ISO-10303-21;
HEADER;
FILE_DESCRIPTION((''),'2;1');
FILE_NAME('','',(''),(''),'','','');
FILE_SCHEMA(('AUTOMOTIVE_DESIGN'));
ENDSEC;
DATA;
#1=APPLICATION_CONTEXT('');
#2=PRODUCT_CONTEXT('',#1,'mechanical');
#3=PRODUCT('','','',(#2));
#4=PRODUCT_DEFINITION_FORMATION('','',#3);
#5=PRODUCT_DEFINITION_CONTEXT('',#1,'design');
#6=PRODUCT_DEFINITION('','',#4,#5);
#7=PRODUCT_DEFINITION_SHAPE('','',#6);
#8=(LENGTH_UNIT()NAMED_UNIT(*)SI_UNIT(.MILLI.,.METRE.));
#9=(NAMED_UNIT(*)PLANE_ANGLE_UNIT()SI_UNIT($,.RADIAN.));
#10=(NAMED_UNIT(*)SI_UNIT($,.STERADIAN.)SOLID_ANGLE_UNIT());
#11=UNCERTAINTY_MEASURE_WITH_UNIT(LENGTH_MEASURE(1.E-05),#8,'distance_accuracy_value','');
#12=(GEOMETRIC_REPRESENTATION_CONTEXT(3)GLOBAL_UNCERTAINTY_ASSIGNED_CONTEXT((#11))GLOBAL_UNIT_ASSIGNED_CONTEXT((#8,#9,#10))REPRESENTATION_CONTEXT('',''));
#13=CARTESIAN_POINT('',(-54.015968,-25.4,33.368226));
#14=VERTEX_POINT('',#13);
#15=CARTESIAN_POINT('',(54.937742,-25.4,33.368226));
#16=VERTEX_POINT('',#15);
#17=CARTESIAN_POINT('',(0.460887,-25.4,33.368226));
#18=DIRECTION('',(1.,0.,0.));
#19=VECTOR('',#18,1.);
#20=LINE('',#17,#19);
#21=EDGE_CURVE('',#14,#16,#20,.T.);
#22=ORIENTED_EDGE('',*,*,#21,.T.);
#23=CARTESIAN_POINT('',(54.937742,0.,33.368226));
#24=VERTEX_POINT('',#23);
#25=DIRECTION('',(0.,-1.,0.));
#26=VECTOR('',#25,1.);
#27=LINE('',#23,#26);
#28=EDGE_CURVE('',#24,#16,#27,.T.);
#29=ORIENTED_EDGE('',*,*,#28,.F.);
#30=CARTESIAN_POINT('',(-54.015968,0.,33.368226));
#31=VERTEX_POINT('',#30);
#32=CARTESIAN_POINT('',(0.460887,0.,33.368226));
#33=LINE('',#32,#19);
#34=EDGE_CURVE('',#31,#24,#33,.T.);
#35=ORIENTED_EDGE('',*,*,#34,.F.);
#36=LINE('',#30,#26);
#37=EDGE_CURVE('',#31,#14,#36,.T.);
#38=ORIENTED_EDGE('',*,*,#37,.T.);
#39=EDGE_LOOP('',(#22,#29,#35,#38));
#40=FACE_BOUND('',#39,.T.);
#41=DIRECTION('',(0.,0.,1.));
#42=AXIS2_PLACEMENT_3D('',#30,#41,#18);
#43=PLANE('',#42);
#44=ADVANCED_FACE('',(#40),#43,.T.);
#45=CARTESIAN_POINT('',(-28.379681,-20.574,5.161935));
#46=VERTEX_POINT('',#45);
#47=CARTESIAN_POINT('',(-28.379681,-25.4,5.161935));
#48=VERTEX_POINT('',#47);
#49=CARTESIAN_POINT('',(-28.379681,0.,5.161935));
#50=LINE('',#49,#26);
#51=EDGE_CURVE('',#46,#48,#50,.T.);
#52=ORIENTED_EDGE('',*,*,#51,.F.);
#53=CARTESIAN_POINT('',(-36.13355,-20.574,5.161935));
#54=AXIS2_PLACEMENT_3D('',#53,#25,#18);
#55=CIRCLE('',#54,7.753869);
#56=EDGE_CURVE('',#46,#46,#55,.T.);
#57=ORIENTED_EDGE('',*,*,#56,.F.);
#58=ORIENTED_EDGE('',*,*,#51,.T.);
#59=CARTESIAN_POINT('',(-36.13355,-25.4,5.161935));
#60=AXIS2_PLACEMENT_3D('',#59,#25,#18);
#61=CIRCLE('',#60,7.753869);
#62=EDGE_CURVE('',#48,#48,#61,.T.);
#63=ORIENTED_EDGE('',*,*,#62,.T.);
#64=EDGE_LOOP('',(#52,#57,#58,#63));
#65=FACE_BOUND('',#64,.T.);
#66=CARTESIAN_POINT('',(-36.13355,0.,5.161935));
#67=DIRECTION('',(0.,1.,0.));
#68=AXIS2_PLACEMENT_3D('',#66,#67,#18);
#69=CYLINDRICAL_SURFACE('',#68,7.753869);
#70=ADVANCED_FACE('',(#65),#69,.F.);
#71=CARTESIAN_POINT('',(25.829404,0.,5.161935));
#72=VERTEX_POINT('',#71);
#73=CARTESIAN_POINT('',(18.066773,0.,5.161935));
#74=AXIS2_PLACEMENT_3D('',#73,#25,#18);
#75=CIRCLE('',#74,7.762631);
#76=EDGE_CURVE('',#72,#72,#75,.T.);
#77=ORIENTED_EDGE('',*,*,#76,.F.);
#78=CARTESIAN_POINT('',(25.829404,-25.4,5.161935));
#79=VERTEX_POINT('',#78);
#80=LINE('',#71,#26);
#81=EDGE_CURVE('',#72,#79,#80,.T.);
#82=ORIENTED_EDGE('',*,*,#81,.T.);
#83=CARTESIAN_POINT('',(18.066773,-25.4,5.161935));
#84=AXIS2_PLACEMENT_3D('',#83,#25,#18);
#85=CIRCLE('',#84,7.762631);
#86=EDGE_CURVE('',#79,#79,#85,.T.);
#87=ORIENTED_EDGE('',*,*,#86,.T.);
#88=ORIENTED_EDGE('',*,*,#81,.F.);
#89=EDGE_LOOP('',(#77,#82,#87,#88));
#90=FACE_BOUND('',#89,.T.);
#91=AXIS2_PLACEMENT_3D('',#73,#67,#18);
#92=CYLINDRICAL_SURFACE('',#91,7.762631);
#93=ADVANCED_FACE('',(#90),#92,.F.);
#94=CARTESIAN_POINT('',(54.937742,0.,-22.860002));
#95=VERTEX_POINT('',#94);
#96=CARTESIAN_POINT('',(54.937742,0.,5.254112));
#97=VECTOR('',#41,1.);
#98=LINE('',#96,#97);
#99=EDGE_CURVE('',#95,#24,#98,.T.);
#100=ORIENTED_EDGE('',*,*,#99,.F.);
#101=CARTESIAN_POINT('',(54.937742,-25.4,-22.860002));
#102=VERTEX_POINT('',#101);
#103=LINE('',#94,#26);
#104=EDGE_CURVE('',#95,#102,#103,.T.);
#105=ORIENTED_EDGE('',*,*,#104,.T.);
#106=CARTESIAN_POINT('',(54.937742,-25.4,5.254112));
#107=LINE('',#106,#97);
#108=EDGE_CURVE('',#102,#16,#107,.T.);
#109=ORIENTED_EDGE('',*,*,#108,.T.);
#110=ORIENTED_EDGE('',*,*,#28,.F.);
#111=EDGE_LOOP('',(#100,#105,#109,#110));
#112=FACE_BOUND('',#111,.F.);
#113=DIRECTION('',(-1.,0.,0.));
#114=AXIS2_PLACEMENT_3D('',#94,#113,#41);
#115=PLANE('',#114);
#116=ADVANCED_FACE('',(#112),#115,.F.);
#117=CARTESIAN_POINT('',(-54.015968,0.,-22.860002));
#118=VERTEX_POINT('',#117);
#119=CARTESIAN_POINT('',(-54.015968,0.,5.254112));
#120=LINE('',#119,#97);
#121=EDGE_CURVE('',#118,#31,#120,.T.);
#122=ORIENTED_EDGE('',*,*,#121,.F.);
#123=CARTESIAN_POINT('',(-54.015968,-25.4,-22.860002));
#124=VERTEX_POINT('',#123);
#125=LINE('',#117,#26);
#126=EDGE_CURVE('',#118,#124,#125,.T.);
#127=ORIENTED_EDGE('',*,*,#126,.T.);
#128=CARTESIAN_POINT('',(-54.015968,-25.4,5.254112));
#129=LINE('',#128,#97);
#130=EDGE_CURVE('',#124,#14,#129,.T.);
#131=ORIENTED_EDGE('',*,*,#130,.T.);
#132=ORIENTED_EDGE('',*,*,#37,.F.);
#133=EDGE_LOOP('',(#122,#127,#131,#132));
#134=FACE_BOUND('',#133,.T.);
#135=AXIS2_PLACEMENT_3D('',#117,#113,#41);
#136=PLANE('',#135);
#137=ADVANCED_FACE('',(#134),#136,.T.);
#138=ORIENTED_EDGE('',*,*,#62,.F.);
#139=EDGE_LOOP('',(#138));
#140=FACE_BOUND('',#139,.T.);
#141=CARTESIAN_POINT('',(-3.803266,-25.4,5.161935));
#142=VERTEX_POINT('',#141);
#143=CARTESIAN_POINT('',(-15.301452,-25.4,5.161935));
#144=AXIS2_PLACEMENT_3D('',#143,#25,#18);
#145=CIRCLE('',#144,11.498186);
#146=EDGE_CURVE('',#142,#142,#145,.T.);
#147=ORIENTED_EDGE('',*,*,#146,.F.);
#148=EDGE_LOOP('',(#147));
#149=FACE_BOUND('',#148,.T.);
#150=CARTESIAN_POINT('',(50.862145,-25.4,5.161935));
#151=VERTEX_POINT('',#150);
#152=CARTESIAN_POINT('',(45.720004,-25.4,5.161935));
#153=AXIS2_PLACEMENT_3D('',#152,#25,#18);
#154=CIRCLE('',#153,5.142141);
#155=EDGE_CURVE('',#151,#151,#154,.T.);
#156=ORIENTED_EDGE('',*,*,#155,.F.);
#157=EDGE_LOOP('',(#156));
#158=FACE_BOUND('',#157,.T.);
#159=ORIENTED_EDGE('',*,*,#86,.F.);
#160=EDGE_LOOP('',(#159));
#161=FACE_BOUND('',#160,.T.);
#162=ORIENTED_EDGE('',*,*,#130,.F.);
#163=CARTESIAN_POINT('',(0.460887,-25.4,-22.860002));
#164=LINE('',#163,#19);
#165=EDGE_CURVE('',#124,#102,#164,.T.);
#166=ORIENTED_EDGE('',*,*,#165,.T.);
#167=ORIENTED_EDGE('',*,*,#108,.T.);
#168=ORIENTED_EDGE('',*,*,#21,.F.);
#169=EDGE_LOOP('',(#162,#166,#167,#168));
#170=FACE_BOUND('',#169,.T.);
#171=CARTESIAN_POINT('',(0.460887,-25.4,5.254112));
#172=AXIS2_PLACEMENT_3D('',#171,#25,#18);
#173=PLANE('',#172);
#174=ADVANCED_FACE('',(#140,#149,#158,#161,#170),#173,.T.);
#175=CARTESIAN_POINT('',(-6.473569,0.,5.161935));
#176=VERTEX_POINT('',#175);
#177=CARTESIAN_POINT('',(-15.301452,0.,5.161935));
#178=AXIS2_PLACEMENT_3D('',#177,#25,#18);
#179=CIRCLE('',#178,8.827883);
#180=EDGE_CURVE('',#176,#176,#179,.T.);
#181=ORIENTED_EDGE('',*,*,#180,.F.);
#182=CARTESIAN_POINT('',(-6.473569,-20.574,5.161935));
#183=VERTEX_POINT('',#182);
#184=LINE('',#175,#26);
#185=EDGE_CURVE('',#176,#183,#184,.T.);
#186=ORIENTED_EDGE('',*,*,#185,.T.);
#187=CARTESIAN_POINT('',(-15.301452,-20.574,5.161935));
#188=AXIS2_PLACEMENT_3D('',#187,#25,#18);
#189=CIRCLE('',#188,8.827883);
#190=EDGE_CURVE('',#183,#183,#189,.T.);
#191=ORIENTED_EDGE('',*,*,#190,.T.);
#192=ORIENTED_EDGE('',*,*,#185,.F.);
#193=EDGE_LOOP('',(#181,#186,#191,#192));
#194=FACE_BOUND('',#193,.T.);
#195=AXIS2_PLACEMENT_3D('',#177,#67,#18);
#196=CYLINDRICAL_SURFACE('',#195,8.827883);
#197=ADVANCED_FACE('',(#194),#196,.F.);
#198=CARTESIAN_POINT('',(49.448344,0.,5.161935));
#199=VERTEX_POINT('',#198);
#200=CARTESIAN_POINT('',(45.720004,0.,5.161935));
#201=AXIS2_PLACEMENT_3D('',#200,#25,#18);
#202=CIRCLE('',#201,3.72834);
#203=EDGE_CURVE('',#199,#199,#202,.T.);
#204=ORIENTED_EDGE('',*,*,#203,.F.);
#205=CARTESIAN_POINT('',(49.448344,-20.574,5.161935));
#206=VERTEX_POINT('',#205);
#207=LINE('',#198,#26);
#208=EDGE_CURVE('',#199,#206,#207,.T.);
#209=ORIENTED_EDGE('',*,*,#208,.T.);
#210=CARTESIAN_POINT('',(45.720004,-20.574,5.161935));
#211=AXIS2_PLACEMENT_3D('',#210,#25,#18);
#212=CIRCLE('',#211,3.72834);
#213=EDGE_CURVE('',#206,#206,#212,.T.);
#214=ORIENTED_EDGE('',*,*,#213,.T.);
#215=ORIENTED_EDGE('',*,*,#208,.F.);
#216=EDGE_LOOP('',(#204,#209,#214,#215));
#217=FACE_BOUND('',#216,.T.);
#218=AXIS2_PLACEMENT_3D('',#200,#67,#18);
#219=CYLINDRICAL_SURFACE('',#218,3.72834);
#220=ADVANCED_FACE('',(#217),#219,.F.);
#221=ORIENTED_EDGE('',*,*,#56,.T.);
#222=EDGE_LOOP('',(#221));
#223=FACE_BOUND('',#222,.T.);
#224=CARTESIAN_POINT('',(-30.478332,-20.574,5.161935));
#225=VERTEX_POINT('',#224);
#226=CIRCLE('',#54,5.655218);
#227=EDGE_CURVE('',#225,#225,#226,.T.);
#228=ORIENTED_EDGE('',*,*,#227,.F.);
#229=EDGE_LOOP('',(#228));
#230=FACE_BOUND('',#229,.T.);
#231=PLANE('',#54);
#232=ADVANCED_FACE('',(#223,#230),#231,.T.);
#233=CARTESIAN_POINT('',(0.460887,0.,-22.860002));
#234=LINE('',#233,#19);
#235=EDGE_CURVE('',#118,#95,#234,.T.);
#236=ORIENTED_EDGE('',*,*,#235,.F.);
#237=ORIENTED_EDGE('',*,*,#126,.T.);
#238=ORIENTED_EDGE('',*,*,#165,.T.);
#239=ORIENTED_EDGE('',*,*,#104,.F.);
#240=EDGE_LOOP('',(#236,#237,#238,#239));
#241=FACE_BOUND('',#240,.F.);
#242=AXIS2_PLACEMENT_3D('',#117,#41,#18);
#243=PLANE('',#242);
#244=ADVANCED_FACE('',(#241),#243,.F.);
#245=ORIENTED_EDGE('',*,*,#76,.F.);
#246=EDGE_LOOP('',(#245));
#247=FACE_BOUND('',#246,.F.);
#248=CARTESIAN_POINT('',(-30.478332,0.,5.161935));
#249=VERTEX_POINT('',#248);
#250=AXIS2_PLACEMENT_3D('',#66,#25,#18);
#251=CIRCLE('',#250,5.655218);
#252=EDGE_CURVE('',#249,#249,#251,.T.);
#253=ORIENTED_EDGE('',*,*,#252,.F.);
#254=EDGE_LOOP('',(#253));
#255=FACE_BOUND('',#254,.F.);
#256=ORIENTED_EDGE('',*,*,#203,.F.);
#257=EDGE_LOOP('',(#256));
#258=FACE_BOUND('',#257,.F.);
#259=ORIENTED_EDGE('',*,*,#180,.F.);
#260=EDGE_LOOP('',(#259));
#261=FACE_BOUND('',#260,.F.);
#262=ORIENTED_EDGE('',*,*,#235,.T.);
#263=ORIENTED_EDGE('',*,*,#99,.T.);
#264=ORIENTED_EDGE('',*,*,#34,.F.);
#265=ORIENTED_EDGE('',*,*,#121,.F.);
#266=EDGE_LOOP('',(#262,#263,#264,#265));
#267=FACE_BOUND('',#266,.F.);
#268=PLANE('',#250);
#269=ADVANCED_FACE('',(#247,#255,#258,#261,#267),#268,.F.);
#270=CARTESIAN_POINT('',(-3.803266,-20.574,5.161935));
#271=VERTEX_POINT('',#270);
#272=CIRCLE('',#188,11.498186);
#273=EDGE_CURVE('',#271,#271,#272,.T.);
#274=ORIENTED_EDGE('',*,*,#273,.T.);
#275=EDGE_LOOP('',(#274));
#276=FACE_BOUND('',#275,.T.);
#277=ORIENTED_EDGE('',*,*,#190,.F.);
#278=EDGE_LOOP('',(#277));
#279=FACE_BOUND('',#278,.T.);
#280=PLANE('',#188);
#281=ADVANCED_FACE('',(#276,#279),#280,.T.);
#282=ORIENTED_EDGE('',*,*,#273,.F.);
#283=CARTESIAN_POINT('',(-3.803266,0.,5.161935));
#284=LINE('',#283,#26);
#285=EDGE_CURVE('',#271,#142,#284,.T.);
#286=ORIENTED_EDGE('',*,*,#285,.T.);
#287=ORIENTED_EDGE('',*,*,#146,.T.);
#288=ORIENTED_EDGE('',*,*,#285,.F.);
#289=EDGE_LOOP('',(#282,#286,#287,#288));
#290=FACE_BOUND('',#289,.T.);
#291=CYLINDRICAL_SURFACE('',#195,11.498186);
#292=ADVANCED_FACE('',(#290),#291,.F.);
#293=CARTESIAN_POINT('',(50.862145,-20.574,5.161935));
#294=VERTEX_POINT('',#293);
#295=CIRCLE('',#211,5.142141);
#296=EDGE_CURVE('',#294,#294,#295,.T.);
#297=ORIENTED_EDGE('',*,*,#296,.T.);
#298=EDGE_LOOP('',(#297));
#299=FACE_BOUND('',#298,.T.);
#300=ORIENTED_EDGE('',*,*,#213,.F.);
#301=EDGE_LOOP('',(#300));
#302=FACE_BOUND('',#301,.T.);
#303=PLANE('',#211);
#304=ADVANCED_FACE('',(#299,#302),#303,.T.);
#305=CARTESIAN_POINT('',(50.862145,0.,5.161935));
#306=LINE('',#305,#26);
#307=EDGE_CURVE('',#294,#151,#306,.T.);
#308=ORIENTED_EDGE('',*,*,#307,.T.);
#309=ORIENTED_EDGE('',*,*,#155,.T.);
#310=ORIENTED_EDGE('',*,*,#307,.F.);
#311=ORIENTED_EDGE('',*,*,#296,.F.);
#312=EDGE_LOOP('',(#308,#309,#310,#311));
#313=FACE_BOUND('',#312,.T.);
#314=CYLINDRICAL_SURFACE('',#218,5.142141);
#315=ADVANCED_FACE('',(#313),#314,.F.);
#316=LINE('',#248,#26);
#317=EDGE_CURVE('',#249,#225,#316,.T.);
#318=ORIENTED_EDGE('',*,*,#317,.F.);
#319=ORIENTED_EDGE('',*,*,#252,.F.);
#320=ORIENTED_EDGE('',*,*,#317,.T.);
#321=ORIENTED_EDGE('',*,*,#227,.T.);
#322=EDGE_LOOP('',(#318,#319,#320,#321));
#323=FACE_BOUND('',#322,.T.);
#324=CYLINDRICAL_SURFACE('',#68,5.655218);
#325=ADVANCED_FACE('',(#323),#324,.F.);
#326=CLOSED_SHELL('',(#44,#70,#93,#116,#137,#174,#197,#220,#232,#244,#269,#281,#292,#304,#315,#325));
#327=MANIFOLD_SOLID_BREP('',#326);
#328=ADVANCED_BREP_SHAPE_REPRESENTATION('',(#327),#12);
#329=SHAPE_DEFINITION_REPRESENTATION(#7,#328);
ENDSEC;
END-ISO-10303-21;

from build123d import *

# Parameters (mm, degrees)
F0_W     = 108.953711
F0_H     = 56.228228
F0_R     = 7.753869
F0_R_2   = 11.498186
F0_R_3   = 7.762631
F0_R_4   = 5.142141
F1_DEPTH = 25.4
F0_R_5   = 5.655218
F0_R_6   = 3.72834
F0_R_7   = 8.827883
F2_DEPTH = 20.574


with BuildPart() as f1:
    # F0 (on Front) → F1 (new body)
    with BuildSketch(Plane.XZ):
        with Locations((0.460887, 5.254112)):
            Rectangle(F0_W, F0_H)
        with Locations((-36.13355, 5.161935)):
            Circle(F0_R, mode=Mode.SUBTRACT)
        with Locations((-15.301452, 5.161935)):
            Circle(F0_R_2, mode=Mode.SUBTRACT)
        with Locations((18.066773, 5.161935)):
            Circle(F0_R_3, mode=Mode.SUBTRACT)
        with Locations((45.720004, 5.161935)):
            Circle(F0_R_4, mode=Mode.SUBTRACT)
    extrude(amount=F1_DEPTH)

    # F0 (on Front) → F2 (join)
    with BuildSketch(Plane.XZ):
        with Locations((-36.13355, 5.161935)):
            Circle(F0_R)
        with Locations((-36.13355, 5.161935)):
            Circle(F0_R_5, mode=Mode.SUBTRACT)
        with Locations((45.720004, 5.161935)):
            Circle(F0_R_4)
        with Locations((45.720004, 5.161935)):
            Circle(F0_R_6, mode=Mode.SUBTRACT)
        with Locations((-15.301452, 5.161935)):
            Circle(F0_R_2)
        with Locations((-15.301452, 5.161935)):
            Circle(F0_R_7, mode=Mode.SUBTRACT)
    extrude(amount=F2_DEPTH)


solid = f1.part
